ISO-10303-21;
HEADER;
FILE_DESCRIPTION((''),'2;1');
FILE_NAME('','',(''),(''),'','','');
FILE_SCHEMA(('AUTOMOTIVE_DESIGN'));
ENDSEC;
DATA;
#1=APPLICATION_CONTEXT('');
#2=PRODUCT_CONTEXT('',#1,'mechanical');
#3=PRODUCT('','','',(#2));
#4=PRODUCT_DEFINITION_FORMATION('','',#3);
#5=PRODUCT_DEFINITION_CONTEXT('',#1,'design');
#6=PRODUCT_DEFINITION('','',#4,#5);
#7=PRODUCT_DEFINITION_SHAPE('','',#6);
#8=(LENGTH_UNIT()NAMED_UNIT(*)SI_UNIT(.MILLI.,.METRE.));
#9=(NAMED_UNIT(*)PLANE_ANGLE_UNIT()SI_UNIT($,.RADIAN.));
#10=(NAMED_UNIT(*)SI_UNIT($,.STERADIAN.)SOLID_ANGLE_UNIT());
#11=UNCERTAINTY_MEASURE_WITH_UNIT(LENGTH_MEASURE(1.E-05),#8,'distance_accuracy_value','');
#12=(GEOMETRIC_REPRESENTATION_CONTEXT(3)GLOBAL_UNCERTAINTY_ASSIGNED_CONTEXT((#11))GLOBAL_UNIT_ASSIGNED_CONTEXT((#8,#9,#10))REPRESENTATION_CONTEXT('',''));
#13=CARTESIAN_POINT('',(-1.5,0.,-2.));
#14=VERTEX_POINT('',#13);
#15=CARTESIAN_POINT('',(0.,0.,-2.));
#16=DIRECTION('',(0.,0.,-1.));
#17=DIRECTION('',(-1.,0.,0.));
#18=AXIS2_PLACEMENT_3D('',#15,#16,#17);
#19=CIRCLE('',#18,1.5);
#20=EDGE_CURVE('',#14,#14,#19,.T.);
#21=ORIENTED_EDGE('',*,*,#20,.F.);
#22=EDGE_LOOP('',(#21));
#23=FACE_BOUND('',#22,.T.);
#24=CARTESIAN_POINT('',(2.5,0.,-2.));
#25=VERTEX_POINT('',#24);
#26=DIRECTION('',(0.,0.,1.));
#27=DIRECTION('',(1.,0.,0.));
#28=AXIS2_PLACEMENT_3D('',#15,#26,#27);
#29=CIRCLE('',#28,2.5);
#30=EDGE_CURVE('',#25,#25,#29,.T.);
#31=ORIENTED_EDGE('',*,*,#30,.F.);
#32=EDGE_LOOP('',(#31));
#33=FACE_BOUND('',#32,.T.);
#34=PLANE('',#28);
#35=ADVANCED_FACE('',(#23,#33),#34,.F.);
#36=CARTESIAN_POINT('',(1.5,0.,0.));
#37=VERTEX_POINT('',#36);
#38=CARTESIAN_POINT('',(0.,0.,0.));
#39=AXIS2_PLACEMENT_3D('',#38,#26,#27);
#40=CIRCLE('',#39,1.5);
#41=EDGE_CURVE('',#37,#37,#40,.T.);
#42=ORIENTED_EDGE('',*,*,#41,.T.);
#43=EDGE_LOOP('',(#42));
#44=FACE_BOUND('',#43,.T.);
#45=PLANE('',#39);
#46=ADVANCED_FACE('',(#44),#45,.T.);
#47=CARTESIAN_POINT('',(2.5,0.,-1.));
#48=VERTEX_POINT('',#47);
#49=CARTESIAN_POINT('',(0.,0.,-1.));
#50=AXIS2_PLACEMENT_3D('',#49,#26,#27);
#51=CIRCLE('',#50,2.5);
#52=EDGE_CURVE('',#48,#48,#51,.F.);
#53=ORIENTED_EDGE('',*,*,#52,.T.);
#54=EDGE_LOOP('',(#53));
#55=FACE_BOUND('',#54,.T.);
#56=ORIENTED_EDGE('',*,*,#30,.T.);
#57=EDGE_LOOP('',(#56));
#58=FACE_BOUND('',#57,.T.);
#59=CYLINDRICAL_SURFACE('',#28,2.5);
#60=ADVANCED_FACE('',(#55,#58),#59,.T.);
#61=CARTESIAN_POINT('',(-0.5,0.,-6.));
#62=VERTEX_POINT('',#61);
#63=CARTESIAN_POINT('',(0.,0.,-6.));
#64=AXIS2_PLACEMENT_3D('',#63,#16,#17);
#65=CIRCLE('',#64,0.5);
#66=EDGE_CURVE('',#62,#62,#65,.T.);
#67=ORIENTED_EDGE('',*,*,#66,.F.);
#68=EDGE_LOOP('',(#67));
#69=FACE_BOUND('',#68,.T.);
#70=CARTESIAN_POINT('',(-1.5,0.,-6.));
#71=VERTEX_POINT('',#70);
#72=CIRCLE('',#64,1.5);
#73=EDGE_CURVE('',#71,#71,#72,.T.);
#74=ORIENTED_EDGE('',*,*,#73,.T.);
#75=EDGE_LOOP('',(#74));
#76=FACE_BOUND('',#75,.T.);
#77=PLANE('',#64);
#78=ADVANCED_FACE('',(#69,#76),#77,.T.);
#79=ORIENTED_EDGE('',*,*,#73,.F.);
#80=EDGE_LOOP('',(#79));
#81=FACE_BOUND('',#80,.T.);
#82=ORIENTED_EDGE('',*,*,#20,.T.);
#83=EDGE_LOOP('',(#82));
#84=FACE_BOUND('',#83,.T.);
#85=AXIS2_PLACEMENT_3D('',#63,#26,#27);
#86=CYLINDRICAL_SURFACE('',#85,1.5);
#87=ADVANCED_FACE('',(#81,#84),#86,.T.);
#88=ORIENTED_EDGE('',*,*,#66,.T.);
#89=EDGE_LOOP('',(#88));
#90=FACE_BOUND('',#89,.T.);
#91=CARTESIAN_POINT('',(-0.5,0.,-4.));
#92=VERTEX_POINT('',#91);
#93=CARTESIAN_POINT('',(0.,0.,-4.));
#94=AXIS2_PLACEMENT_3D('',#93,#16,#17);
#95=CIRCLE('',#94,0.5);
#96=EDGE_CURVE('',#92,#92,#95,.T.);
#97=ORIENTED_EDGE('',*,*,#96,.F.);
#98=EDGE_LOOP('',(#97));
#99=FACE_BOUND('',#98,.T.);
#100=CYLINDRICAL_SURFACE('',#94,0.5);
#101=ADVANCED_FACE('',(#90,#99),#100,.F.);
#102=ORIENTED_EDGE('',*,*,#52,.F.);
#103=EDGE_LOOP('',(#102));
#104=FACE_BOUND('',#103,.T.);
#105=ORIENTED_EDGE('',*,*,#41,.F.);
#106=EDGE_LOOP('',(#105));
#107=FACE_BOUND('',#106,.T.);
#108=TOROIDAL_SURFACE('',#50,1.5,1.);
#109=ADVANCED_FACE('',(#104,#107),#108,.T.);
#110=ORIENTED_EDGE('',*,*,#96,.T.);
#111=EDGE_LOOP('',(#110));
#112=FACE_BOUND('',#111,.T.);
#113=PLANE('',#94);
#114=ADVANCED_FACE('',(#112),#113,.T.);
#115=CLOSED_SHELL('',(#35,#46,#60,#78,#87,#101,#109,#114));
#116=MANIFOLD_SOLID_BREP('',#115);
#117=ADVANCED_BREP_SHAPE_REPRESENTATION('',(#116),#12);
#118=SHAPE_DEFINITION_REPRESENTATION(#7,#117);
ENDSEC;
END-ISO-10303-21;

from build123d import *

# Parameters (mm, degrees)
SKETCH1_R           = 2.5
BOSS_EXTRUDE1_DEPTH = 2
SKETCH2_R           = 1.5
BOSS_EXTRUDE2_DEPTH = 4
FILLET2_R           = 1
SKETCH3_R           = 0.5
CUT_EXTRUDE1_DEPTH  = 2


with BuildPart() as part:
    # Sketch1 → Boss-Extrude1 (new body)
    with BuildSketch(Plane.XY):
        Circle(SKETCH1_R)
    extrude(amount=-BOSS_EXTRUDE1_DEPTH)

    # Sketch2 → Boss-Extrude2 (add)
    with BuildSketch(Plane(origin=(0, 0, -2), x_dir=(-1, 0, 0), z_dir=(0, 0, -1))):
        Circle(SKETCH2_R)
    extrude(amount=BOSS_EXTRUDE2_DEPTH)

    # Fillet2
    fillet2_edges = [part.edges().sort_by_distance(p)[0] for p in [
        (-2.5, 0, 0),
    ]]
    fillet(fillet2_edges, radius=FILLET2_R)

    # Sketch3 → Cut-Extrude1 (cut)
    with BuildSketch(Plane(origin=(0, 0, -6), x_dir=(-1, 0, 0), z_dir=(0, 0, -1))):
        Circle(SKETCH3_R)
    extrude(amount=-CUT_EXTRUDE1_DEPTH, mode=Mode.SUBTRACT)


solid = part.part
